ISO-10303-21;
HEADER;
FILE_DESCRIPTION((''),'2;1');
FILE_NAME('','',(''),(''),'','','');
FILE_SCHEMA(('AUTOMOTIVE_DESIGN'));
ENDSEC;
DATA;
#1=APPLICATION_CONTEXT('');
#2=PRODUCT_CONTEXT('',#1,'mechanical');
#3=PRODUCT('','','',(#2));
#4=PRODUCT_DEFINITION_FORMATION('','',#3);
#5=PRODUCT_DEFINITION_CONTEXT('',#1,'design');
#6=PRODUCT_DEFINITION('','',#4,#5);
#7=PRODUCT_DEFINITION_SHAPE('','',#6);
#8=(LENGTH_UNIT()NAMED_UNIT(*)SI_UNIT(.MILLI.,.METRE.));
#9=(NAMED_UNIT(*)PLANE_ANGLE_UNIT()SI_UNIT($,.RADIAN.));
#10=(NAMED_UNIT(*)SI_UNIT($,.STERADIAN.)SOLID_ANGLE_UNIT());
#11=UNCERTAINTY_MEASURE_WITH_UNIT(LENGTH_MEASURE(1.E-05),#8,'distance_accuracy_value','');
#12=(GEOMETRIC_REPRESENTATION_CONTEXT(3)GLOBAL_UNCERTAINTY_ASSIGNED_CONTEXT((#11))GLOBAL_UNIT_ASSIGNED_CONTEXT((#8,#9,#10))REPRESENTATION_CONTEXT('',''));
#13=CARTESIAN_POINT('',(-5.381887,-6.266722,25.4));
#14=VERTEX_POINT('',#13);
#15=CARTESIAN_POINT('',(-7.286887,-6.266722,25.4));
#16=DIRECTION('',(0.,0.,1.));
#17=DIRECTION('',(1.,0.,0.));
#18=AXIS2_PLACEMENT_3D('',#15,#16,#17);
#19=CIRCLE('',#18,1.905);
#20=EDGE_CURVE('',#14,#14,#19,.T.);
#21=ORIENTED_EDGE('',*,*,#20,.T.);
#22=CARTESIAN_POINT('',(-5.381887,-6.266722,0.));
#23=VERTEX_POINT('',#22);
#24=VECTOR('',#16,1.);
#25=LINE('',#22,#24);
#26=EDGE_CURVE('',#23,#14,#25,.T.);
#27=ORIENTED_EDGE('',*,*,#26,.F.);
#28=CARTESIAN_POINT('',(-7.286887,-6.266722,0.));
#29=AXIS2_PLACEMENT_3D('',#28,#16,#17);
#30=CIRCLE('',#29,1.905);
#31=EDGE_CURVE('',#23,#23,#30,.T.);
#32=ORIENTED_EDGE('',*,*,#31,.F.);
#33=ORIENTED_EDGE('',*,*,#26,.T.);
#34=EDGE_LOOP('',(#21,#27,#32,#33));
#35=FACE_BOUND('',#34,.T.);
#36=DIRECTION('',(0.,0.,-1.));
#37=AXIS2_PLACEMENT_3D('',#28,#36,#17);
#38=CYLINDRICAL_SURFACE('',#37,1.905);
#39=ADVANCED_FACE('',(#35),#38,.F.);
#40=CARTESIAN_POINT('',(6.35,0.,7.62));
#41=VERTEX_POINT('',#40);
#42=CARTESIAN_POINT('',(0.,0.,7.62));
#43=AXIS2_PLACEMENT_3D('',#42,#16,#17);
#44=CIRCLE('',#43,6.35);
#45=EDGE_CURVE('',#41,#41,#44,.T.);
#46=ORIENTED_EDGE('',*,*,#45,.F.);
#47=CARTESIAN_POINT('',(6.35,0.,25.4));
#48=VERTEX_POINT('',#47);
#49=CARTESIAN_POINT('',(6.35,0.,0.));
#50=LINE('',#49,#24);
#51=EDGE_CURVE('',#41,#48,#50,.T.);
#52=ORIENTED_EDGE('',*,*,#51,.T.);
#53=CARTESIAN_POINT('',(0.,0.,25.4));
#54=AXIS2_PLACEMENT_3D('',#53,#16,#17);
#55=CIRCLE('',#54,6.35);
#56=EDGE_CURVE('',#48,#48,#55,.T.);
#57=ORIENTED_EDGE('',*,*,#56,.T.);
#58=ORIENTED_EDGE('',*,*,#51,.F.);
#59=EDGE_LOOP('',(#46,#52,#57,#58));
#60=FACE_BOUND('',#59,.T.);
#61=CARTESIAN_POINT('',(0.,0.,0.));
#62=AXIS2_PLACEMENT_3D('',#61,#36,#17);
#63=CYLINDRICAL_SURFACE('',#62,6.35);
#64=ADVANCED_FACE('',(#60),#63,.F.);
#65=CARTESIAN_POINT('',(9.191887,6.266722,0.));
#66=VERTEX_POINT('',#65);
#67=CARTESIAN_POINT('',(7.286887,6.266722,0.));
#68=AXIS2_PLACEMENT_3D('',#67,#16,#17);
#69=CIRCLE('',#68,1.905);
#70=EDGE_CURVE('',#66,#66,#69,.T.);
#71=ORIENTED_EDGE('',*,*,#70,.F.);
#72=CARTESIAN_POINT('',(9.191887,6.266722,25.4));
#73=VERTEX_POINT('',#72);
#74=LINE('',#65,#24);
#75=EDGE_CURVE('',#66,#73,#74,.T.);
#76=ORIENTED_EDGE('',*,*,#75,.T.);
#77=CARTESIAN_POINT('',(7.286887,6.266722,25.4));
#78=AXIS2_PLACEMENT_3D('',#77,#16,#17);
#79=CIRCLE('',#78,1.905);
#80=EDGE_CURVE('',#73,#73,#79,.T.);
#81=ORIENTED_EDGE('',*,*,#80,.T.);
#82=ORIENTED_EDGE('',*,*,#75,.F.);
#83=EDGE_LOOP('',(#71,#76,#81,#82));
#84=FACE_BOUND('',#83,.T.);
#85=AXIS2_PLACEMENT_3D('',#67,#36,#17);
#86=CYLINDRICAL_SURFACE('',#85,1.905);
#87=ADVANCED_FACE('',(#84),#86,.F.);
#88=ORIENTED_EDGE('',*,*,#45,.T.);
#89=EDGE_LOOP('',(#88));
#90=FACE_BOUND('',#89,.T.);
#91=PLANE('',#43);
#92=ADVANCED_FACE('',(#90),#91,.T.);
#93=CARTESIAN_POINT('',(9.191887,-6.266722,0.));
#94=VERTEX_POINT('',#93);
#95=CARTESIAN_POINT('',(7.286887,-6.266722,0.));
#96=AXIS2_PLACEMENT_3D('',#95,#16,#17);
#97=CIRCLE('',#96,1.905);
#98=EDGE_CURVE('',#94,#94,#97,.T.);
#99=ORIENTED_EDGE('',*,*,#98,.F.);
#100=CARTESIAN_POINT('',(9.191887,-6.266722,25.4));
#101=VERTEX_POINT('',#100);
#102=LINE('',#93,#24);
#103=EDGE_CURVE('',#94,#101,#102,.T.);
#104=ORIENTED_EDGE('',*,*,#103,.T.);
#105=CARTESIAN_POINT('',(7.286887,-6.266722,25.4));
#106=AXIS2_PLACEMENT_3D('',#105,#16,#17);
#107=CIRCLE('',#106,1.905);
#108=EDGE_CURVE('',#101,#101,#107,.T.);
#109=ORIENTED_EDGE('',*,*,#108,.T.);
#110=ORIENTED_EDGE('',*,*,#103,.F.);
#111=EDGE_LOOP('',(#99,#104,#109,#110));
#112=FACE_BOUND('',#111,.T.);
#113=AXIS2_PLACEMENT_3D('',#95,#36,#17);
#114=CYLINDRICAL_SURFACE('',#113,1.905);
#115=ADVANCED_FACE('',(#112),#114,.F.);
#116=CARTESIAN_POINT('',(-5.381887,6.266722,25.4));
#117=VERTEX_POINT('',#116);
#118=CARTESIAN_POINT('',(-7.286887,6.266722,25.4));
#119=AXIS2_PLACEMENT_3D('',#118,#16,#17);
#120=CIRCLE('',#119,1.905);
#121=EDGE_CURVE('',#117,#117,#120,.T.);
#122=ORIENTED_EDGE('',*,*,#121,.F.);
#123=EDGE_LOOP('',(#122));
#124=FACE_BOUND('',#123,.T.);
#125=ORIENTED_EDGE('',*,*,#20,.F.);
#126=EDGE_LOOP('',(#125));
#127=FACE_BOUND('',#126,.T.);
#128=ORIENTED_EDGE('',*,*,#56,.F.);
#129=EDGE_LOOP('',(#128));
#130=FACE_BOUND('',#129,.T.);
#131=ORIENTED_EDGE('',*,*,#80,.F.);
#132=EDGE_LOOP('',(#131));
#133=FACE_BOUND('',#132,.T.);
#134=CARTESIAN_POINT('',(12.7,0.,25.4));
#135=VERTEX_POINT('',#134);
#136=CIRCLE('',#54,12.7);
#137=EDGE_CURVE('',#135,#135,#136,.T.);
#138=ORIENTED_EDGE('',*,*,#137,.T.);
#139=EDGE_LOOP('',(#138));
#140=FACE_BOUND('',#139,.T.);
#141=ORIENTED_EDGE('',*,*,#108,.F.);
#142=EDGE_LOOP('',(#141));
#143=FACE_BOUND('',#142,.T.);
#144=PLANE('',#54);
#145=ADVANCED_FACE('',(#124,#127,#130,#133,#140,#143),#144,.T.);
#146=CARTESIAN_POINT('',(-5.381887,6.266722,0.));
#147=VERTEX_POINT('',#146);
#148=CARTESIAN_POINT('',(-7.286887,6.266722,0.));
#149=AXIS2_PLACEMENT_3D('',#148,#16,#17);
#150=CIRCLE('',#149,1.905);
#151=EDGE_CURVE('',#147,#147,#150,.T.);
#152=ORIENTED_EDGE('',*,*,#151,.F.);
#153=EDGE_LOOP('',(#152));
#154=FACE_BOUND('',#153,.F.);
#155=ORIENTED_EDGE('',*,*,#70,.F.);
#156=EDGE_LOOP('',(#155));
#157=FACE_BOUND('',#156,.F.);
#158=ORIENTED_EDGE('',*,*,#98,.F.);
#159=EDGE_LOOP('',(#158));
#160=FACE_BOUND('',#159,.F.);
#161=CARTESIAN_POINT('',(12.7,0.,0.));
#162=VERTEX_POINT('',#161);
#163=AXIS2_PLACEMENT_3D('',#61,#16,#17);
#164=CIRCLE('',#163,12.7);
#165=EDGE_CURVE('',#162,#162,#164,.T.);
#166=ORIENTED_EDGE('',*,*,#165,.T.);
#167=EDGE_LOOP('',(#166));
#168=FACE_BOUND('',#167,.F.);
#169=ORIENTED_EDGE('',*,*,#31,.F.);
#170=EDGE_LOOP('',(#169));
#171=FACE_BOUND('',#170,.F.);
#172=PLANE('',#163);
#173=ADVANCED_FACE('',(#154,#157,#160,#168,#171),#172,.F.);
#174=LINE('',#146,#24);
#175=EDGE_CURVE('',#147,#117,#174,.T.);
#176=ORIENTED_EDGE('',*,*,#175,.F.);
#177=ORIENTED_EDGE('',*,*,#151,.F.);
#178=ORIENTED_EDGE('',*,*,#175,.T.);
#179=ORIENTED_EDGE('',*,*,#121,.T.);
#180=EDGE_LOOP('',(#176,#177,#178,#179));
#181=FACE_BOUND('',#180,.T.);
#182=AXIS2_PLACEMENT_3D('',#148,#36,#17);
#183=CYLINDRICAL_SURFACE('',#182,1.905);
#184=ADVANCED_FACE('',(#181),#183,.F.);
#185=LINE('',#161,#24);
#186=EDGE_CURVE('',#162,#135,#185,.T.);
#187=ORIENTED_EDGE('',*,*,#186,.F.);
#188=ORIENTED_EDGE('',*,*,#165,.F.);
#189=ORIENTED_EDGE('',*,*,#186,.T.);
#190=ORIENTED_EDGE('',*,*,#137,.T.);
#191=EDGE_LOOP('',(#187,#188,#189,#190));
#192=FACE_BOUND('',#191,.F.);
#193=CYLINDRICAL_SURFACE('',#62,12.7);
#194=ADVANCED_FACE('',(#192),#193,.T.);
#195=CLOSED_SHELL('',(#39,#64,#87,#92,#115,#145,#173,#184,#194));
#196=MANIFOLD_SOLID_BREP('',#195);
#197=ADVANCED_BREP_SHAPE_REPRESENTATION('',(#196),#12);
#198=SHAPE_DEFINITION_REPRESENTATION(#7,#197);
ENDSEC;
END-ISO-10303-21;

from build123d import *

# Parameters (mm, degrees)
F0_R     = 12.7
F0_R_2   = 1.905
F0_R_3   = 6.35
F1_DEPTH = 25.4
F0_R_4   = 4.0005
F2_DEPTH = 7.62
F3_DEPTH = 7.62


with BuildPart() as f1:
    # F0 (on Top) → F1 (new body)
    with BuildSketch(Plane.XY):
        Circle(F0_R)
        with Locations((-7.286887, -6.266722)):
            Circle(F0_R_2, mode=Mode.SUBTRACT)
        Circle(F0_R_3, mode=Mode.SUBTRACT)
        with Locations((7.286887, -6.266722)):
            Circle(F0_R_2, mode=Mode.SUBTRACT)
        with Locations((-7.286887, 6.266722)):
            Circle(F0_R_2, mode=Mode.SUBTRACT)
        with Locations((7.286887, 6.266722)):
            Circle(F0_R_2, mode=Mode.SUBTRACT)
    extrude(amount=F1_DEPTH)

    # F0 (on Top) → F2 (join)
    with BuildSketch(Plane.XY):
        Circle(F0_R_3)
        Circle(F0_R_4, mode=Mode.SUBTRACT)
    extrude(amount=F2_DEPTH)

    # F0 (on Top) → F3 (join)
    with BuildSketch(Plane.XY):
        Circle(F0_R_4)
    extrude(amount=F3_DEPTH)


solid = f1.part
